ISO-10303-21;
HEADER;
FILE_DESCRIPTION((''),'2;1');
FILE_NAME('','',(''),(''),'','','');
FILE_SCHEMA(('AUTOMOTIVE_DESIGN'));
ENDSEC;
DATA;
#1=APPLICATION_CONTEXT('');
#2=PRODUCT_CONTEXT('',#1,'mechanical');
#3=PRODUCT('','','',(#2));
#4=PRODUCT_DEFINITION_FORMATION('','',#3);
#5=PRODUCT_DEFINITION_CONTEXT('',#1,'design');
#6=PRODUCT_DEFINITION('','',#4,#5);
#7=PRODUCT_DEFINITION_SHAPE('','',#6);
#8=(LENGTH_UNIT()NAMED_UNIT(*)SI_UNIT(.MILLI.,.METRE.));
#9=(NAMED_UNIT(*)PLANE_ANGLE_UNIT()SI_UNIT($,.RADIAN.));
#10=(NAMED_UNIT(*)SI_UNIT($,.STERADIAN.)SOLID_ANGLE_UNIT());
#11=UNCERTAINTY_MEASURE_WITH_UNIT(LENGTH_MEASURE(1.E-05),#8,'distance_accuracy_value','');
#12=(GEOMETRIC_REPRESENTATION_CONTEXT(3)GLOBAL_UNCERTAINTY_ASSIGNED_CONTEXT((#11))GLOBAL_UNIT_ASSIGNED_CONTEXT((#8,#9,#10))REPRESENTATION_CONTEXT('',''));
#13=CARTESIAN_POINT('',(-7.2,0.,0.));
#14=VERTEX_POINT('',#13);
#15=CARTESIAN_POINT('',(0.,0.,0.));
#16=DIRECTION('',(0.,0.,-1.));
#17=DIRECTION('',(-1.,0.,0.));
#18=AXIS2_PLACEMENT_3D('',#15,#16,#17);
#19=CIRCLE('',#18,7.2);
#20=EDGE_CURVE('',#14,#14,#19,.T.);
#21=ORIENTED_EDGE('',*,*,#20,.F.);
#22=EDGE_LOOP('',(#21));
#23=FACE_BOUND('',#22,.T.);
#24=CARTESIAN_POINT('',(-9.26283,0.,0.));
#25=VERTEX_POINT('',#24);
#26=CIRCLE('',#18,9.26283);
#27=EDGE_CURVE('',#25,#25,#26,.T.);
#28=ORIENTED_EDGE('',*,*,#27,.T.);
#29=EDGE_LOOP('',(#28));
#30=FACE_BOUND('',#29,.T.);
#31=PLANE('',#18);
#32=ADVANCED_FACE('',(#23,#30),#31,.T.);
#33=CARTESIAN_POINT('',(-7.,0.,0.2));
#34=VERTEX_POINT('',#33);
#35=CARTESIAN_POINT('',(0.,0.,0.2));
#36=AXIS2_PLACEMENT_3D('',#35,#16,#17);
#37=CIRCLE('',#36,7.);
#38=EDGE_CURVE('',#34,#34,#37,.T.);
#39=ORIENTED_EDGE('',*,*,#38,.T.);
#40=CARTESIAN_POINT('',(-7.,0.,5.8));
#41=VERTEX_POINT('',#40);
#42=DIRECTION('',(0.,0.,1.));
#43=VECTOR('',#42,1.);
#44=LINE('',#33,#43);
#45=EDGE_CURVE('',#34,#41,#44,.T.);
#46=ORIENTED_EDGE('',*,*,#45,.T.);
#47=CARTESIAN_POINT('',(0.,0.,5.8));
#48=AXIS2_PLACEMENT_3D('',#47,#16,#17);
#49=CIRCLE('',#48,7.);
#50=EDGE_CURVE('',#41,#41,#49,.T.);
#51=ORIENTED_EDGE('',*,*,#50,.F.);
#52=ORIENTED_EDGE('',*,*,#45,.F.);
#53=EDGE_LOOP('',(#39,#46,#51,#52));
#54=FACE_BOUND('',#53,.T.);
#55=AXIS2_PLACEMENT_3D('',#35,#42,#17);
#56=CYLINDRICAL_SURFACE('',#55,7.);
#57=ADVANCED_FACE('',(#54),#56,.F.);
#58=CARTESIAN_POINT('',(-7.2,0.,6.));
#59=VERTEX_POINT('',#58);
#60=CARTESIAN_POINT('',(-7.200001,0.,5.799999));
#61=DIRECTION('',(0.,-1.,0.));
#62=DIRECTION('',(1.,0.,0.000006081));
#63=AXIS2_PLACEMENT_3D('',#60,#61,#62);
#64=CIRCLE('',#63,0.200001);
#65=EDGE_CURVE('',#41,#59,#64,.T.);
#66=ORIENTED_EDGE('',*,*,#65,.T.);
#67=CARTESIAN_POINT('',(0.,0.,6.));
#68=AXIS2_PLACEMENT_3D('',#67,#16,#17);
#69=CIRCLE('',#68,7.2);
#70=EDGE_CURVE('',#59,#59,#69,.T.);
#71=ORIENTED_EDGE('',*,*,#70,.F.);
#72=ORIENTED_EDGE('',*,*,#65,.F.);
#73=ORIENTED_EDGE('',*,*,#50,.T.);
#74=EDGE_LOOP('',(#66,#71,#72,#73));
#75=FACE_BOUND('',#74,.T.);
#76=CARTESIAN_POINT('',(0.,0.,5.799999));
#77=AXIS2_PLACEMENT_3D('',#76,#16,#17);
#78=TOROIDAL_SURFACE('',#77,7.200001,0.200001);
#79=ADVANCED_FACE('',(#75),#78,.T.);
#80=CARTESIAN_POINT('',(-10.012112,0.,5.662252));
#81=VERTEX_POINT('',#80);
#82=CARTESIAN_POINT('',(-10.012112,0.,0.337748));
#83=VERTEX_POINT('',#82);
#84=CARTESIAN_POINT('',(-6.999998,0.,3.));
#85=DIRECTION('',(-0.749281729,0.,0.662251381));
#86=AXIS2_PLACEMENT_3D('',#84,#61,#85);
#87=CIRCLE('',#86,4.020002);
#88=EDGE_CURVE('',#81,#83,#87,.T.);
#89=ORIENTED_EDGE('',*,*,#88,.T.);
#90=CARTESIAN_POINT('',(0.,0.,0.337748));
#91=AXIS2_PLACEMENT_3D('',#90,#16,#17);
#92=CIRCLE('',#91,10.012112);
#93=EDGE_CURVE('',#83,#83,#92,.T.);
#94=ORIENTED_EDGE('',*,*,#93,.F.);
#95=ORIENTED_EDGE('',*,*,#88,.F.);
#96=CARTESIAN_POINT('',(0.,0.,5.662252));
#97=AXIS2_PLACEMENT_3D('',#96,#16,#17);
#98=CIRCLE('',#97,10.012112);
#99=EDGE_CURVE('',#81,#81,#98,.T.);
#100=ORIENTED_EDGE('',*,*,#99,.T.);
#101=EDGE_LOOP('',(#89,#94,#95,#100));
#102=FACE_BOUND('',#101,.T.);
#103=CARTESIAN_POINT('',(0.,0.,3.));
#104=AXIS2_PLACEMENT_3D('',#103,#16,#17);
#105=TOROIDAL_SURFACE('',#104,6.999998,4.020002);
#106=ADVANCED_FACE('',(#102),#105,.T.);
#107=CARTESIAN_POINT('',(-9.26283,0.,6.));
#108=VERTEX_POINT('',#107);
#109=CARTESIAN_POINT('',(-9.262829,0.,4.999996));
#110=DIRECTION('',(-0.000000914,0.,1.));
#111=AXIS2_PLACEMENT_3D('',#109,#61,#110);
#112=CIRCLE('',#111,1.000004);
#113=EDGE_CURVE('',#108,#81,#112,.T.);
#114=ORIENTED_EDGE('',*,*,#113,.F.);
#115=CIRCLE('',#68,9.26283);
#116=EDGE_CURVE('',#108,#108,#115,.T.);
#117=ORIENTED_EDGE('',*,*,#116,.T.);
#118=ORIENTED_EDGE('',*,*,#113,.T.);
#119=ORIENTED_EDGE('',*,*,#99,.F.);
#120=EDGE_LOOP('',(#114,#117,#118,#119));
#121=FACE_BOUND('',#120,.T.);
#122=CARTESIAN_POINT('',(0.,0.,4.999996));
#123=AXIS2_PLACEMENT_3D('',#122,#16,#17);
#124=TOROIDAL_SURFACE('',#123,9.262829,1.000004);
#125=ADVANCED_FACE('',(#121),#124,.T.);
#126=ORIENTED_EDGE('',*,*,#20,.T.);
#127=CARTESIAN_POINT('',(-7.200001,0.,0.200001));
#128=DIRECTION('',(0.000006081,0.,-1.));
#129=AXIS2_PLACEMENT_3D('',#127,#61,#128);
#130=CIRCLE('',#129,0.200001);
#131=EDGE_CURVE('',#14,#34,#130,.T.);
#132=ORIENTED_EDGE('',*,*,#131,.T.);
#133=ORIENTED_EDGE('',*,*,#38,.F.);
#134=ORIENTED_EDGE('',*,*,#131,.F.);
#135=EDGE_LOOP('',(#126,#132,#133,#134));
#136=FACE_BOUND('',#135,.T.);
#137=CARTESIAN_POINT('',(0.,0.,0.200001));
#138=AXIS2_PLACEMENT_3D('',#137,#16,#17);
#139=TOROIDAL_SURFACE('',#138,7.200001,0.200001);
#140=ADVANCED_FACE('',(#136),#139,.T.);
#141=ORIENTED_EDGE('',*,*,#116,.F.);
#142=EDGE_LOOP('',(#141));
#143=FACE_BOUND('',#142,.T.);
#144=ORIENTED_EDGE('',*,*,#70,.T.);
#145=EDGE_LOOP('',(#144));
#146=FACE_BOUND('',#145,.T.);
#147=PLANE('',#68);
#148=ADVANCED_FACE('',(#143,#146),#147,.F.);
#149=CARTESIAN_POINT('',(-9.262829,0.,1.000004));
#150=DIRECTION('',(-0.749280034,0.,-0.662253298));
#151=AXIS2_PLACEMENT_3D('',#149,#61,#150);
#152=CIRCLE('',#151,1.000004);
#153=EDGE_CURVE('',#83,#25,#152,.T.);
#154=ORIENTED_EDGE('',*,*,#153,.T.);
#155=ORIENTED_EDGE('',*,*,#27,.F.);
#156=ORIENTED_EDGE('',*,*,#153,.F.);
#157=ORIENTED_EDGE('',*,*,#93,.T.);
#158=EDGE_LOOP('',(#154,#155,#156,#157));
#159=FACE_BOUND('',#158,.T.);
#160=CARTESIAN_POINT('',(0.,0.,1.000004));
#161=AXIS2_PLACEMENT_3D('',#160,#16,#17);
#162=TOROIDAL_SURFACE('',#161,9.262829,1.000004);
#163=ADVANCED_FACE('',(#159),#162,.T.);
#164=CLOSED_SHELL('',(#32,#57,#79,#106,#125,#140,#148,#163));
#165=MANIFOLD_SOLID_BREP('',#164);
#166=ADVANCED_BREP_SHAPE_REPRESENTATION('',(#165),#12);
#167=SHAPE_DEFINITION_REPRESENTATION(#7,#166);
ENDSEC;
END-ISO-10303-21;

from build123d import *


with BuildPart() as f1:
    # F0 (on Front) → F1 (revolve)
    with BuildSketch(Plane.XZ):
        with BuildLine():
            ThreePointArc((-7.2, 0), (-7.058579, 0.058579), (-7, 0.2))
            Line((-7, 0.2), (-7, 5.8))
            ThreePointArc((-7, 5.8), (-7.058579, 5.941421), (-7.2, 6))
            Line((-7.2, 6), (-9.26283, 6))
            ThreePointArc((-9.26283, 6), (-9.673773, 5.911661), (-10.012112, 5.662252))
            ThreePointArc((-10.012112, 5.662252), (-11.02, 3), (-10.012112, 0.337748))
            ThreePointArc((-10.012112, 0.337748), (-9.673773, 0.088339), (-9.26283, 0))
            Line((-9.26283, 0), (-7.2, 0))
        make_face()
    revolve(axis=Axis((0, 0, 5), (0, 0, -1)))


solid = f1.part
